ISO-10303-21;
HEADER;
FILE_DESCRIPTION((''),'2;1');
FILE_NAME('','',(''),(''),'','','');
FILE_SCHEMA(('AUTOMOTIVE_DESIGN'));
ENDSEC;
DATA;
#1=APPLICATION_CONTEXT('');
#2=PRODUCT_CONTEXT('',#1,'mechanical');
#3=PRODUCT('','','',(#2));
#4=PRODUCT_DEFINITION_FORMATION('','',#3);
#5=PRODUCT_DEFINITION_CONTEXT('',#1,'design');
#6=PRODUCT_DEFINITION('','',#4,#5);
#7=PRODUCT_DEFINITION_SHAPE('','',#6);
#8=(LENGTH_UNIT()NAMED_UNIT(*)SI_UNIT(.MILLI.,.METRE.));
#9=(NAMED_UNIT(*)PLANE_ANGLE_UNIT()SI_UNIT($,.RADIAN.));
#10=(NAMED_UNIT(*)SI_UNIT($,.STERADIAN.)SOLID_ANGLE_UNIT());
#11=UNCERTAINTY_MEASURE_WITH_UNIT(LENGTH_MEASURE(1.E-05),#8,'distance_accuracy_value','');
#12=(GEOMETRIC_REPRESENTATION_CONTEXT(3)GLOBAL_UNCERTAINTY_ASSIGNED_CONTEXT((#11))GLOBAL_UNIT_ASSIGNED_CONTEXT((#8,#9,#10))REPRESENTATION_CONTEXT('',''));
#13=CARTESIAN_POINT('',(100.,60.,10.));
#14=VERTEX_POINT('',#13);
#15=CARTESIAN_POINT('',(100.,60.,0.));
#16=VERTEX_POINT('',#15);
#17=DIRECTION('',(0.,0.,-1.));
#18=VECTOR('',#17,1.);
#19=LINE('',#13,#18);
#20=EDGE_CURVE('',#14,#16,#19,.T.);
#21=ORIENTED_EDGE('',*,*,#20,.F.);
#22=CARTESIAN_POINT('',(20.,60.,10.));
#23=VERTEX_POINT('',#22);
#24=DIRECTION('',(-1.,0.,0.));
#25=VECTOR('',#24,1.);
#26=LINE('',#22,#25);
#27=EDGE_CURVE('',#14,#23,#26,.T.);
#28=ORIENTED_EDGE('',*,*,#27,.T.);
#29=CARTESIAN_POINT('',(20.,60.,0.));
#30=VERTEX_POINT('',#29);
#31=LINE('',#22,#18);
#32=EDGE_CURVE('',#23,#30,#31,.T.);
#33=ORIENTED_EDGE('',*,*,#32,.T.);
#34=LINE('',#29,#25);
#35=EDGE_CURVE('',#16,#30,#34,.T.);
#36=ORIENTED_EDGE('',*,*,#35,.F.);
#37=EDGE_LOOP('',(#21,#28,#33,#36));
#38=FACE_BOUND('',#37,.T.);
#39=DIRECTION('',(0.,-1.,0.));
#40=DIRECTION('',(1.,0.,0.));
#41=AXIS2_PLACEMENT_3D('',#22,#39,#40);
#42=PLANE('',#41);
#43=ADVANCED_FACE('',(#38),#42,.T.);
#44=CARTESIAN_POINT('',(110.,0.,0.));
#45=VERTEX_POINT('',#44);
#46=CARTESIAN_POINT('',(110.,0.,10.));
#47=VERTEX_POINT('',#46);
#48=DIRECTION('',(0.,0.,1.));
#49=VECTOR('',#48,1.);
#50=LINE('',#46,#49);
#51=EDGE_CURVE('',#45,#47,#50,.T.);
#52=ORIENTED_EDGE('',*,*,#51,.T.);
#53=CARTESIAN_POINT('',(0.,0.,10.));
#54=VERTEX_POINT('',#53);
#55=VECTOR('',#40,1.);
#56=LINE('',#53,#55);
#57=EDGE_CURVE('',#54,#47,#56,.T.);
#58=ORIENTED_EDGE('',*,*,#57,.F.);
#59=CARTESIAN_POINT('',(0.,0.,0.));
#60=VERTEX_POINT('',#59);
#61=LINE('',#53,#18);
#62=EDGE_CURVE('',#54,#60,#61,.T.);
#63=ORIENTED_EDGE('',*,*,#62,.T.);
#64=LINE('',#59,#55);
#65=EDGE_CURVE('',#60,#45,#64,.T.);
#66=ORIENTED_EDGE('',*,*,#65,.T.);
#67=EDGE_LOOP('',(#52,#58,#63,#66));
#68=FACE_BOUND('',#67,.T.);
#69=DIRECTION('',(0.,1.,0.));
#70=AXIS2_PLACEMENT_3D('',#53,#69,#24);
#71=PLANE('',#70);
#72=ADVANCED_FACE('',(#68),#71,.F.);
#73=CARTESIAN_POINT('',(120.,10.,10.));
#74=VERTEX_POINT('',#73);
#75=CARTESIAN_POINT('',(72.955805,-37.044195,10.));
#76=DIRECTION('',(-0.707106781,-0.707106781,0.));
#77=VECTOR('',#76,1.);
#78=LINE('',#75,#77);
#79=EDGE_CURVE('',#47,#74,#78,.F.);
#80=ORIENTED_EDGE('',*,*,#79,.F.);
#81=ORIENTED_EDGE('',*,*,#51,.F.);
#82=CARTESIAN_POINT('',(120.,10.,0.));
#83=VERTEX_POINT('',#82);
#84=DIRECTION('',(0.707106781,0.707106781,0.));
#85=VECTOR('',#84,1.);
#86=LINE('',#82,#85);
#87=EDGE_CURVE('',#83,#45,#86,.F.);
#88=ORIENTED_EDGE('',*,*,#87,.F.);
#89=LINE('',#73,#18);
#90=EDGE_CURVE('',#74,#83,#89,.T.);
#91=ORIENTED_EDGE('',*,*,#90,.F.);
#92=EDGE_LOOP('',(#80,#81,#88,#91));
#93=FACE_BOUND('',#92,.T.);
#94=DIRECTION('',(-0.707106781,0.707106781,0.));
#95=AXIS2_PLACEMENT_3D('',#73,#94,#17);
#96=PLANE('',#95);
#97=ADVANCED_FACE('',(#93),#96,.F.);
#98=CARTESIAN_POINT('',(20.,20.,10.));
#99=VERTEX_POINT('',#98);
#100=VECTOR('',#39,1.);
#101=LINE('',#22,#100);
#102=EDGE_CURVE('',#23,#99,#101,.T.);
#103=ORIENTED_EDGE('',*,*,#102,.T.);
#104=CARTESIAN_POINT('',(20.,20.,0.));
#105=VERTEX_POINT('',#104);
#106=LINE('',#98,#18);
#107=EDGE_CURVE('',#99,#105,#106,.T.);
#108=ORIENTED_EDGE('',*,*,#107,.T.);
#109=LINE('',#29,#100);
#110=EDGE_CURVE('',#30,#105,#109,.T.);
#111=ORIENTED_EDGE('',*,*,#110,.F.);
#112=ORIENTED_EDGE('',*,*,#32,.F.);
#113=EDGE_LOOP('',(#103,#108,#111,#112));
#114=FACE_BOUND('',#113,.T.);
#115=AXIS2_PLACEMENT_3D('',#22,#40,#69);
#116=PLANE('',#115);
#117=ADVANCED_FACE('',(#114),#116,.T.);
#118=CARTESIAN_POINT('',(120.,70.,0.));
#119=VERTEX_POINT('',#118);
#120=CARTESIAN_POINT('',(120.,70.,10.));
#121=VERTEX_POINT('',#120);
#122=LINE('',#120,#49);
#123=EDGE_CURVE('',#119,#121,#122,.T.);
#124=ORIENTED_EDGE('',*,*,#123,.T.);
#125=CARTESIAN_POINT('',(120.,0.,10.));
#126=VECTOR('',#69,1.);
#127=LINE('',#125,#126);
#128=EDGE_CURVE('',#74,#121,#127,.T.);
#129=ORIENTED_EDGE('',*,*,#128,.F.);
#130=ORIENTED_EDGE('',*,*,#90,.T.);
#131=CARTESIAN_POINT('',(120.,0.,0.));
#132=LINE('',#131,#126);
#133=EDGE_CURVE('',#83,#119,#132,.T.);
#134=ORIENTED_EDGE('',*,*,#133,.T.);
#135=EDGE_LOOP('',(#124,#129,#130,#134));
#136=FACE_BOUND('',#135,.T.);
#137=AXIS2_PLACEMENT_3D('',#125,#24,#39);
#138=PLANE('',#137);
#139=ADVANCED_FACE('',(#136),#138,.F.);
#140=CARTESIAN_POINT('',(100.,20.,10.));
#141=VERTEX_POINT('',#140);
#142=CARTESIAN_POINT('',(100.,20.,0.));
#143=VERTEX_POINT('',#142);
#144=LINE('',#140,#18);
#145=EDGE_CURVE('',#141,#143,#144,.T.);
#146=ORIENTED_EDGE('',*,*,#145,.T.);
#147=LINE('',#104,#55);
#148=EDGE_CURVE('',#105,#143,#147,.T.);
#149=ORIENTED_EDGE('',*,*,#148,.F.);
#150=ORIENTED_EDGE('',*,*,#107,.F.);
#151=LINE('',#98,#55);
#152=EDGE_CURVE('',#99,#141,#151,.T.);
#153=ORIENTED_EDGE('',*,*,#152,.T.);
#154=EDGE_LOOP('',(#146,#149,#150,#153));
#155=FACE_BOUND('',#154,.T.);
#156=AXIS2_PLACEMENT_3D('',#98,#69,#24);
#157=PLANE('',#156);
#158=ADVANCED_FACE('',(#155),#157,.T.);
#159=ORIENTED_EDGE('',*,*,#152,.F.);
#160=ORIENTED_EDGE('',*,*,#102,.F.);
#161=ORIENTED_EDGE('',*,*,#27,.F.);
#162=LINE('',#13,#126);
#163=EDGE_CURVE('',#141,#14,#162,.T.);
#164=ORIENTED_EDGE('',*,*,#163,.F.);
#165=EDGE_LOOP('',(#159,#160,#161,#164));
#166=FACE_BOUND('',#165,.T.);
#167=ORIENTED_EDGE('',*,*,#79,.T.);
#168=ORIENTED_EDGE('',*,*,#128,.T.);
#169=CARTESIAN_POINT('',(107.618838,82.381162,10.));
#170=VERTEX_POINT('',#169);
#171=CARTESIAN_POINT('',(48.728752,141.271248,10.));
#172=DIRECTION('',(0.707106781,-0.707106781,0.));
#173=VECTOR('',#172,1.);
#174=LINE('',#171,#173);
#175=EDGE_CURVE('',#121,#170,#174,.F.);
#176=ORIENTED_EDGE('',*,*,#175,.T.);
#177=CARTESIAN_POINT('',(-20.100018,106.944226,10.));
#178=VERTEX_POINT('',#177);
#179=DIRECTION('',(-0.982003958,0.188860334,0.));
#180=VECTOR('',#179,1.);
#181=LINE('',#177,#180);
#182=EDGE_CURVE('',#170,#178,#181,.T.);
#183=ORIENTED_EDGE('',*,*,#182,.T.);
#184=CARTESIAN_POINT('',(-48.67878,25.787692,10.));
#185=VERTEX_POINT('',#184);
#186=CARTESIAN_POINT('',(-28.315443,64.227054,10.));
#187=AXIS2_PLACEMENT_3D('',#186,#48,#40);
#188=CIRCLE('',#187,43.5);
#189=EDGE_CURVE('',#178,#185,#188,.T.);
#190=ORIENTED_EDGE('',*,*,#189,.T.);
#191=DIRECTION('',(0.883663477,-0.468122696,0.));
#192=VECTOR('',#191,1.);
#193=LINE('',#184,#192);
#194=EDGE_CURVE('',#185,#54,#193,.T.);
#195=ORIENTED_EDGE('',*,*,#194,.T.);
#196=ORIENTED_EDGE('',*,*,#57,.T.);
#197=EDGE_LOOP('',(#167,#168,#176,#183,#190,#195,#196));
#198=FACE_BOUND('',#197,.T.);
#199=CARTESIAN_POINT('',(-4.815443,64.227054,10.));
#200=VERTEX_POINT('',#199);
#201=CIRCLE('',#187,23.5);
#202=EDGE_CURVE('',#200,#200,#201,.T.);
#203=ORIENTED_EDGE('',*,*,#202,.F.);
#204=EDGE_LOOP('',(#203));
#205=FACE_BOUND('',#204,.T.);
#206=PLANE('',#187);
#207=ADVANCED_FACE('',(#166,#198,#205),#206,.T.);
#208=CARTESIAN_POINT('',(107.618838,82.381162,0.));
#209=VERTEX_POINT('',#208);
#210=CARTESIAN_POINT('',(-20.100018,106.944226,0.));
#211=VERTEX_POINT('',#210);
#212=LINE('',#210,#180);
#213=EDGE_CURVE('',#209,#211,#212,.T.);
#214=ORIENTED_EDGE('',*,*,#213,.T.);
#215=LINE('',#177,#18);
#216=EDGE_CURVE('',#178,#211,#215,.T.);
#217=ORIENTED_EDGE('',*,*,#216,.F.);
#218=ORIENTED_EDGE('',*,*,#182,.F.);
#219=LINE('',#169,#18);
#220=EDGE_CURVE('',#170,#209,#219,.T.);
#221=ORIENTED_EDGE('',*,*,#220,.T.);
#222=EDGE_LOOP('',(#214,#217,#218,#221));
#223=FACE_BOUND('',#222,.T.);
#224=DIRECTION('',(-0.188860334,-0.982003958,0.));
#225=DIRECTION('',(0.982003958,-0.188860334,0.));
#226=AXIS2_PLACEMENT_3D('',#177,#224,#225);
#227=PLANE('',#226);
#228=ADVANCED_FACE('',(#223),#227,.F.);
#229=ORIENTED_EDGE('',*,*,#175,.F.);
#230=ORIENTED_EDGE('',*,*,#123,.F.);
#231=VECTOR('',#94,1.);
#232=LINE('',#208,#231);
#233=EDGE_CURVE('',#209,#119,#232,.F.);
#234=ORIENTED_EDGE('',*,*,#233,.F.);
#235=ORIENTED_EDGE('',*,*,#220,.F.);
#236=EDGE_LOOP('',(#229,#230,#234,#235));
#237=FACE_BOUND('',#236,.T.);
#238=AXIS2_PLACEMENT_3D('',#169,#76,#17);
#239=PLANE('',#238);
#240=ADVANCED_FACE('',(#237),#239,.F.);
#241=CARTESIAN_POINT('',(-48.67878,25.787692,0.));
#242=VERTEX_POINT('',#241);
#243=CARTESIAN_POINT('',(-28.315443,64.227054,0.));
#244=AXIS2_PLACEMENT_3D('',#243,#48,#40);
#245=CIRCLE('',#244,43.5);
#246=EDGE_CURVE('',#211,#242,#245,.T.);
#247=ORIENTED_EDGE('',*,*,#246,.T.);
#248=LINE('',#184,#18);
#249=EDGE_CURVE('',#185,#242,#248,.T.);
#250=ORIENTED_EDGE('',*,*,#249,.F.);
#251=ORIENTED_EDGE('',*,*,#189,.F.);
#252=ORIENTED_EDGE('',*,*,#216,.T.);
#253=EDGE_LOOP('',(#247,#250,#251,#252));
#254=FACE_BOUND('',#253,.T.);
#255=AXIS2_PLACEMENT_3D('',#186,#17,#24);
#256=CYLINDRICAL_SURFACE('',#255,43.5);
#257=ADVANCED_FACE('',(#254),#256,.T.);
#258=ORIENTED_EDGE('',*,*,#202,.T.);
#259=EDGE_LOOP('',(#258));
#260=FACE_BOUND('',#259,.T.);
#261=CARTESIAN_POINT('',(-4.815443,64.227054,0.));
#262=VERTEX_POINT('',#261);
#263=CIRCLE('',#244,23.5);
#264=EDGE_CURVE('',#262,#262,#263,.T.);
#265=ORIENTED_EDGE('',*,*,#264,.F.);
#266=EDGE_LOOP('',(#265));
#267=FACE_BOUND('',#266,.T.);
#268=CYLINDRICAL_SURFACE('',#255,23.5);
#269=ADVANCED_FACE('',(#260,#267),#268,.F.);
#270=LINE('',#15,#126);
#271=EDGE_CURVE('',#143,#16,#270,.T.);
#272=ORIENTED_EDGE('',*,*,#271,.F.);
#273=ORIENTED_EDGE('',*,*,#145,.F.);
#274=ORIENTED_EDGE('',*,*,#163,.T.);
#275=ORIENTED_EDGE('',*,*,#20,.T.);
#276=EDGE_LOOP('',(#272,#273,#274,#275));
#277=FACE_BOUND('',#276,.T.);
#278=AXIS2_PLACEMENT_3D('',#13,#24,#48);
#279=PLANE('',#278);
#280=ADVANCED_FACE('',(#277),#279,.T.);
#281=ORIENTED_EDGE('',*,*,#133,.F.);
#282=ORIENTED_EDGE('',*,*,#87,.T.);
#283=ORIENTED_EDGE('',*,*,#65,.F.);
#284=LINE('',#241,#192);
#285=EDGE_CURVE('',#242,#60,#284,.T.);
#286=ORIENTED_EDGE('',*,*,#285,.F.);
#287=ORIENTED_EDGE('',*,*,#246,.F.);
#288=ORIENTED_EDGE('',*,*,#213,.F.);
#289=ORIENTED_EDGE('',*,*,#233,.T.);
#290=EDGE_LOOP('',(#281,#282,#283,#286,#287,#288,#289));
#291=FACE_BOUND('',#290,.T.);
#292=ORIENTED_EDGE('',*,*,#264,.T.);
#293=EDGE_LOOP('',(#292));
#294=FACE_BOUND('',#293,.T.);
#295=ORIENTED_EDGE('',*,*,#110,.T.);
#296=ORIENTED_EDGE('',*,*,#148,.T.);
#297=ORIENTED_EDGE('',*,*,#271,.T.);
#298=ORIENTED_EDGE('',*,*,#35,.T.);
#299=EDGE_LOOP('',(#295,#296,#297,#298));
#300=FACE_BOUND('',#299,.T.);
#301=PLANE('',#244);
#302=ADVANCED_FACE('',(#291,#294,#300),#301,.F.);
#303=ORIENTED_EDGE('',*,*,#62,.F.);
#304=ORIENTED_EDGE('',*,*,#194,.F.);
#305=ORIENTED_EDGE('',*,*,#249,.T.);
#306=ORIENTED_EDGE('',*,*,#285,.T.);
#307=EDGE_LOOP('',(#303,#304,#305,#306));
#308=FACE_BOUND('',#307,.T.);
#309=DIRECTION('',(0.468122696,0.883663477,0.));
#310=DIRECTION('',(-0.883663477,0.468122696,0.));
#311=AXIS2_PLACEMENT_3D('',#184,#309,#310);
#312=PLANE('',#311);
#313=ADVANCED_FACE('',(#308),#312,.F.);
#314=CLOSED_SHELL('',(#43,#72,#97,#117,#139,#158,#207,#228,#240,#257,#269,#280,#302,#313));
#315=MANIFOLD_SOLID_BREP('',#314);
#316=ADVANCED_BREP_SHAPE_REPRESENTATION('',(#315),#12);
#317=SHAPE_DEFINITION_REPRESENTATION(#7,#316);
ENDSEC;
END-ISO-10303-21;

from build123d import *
from OCP.BRepFilletAPI import BRepFilletAPI_MakeChamfer

# Parameters (mm, degrees)
ESQUISSE1_R        = 23.5
ESQUISSE1_W        = 80
ESQUISSE1_H        = 40
BOSS_EXTRU_1_DEPTH = 10
CHANFREIN1_SIZE    = 10
CHANFREIN1_SIZE2   = 12.608056975


with BuildPart() as part:
    # Esquisse1 → Boss.-Extru.1 (new body)
    with BuildSketch(Plane.XY):
        with BuildLine():
            Line((0, 0), (120, 0))
            Line((120, 0), (120, 80))
            Line((120, 80), (-20.100018314, 106.944225709))
            ThreePointArc((-20.100018314, 106.944225709), (-69.345781346, 78.675628662), (-48.678780146, 25.787692258))
            Line((-48.678780146, 25.787692258), (0, 0))
        make_face()
        with Locations((-28.315442857, 64.227053523)):
            Circle(ESQUISSE1_R, mode=Mode.SUBTRACT)
        with Locations((60, 40)):
            Rectangle(ESQUISSE1_W, ESQUISSE1_H, mode=Mode.SUBTRACT)
    extrude(amount=BOSS_EXTRU_1_DEPTH)

    # Chanfrein1: one chamfer whose edges measure the first distance from different faces: ONE call of the kernel's chamfer builder (chamfer() names one face for all edges)
    chanfrein1_edges_1 = [part.edges().sort_by_distance(p)[0] for p in [
        (120, 80, 5),
    ]]
    chanfrein1_side_1 = [part.faces().sort_by_distance(p)[0] for p in [
        (120, 40, 5),
    ]]
    chanfrein1_edges_2 = [part.edges().sort_by_distance(p)[0] for p in [
        (120, 0, 5),
    ]]
    chanfrein1 = BRepFilletAPI_MakeChamfer(part.part.solid().wrapped)
    for e in chanfrein1_edges_1:
        chanfrein1.Add(CHANFREIN1_SIZE, CHANFREIN1_SIZE2, e.wrapped, chanfrein1_side_1[0].wrapped)  # the first distance lies on this face
    for e in chanfrein1_edges_2:
        chanfrein1.Add(CHANFREIN1_SIZE, e.wrapped)
    add(Compound.cast(chanfrein1.Shape()), mode=Mode.REPLACE)


solid = part.part
